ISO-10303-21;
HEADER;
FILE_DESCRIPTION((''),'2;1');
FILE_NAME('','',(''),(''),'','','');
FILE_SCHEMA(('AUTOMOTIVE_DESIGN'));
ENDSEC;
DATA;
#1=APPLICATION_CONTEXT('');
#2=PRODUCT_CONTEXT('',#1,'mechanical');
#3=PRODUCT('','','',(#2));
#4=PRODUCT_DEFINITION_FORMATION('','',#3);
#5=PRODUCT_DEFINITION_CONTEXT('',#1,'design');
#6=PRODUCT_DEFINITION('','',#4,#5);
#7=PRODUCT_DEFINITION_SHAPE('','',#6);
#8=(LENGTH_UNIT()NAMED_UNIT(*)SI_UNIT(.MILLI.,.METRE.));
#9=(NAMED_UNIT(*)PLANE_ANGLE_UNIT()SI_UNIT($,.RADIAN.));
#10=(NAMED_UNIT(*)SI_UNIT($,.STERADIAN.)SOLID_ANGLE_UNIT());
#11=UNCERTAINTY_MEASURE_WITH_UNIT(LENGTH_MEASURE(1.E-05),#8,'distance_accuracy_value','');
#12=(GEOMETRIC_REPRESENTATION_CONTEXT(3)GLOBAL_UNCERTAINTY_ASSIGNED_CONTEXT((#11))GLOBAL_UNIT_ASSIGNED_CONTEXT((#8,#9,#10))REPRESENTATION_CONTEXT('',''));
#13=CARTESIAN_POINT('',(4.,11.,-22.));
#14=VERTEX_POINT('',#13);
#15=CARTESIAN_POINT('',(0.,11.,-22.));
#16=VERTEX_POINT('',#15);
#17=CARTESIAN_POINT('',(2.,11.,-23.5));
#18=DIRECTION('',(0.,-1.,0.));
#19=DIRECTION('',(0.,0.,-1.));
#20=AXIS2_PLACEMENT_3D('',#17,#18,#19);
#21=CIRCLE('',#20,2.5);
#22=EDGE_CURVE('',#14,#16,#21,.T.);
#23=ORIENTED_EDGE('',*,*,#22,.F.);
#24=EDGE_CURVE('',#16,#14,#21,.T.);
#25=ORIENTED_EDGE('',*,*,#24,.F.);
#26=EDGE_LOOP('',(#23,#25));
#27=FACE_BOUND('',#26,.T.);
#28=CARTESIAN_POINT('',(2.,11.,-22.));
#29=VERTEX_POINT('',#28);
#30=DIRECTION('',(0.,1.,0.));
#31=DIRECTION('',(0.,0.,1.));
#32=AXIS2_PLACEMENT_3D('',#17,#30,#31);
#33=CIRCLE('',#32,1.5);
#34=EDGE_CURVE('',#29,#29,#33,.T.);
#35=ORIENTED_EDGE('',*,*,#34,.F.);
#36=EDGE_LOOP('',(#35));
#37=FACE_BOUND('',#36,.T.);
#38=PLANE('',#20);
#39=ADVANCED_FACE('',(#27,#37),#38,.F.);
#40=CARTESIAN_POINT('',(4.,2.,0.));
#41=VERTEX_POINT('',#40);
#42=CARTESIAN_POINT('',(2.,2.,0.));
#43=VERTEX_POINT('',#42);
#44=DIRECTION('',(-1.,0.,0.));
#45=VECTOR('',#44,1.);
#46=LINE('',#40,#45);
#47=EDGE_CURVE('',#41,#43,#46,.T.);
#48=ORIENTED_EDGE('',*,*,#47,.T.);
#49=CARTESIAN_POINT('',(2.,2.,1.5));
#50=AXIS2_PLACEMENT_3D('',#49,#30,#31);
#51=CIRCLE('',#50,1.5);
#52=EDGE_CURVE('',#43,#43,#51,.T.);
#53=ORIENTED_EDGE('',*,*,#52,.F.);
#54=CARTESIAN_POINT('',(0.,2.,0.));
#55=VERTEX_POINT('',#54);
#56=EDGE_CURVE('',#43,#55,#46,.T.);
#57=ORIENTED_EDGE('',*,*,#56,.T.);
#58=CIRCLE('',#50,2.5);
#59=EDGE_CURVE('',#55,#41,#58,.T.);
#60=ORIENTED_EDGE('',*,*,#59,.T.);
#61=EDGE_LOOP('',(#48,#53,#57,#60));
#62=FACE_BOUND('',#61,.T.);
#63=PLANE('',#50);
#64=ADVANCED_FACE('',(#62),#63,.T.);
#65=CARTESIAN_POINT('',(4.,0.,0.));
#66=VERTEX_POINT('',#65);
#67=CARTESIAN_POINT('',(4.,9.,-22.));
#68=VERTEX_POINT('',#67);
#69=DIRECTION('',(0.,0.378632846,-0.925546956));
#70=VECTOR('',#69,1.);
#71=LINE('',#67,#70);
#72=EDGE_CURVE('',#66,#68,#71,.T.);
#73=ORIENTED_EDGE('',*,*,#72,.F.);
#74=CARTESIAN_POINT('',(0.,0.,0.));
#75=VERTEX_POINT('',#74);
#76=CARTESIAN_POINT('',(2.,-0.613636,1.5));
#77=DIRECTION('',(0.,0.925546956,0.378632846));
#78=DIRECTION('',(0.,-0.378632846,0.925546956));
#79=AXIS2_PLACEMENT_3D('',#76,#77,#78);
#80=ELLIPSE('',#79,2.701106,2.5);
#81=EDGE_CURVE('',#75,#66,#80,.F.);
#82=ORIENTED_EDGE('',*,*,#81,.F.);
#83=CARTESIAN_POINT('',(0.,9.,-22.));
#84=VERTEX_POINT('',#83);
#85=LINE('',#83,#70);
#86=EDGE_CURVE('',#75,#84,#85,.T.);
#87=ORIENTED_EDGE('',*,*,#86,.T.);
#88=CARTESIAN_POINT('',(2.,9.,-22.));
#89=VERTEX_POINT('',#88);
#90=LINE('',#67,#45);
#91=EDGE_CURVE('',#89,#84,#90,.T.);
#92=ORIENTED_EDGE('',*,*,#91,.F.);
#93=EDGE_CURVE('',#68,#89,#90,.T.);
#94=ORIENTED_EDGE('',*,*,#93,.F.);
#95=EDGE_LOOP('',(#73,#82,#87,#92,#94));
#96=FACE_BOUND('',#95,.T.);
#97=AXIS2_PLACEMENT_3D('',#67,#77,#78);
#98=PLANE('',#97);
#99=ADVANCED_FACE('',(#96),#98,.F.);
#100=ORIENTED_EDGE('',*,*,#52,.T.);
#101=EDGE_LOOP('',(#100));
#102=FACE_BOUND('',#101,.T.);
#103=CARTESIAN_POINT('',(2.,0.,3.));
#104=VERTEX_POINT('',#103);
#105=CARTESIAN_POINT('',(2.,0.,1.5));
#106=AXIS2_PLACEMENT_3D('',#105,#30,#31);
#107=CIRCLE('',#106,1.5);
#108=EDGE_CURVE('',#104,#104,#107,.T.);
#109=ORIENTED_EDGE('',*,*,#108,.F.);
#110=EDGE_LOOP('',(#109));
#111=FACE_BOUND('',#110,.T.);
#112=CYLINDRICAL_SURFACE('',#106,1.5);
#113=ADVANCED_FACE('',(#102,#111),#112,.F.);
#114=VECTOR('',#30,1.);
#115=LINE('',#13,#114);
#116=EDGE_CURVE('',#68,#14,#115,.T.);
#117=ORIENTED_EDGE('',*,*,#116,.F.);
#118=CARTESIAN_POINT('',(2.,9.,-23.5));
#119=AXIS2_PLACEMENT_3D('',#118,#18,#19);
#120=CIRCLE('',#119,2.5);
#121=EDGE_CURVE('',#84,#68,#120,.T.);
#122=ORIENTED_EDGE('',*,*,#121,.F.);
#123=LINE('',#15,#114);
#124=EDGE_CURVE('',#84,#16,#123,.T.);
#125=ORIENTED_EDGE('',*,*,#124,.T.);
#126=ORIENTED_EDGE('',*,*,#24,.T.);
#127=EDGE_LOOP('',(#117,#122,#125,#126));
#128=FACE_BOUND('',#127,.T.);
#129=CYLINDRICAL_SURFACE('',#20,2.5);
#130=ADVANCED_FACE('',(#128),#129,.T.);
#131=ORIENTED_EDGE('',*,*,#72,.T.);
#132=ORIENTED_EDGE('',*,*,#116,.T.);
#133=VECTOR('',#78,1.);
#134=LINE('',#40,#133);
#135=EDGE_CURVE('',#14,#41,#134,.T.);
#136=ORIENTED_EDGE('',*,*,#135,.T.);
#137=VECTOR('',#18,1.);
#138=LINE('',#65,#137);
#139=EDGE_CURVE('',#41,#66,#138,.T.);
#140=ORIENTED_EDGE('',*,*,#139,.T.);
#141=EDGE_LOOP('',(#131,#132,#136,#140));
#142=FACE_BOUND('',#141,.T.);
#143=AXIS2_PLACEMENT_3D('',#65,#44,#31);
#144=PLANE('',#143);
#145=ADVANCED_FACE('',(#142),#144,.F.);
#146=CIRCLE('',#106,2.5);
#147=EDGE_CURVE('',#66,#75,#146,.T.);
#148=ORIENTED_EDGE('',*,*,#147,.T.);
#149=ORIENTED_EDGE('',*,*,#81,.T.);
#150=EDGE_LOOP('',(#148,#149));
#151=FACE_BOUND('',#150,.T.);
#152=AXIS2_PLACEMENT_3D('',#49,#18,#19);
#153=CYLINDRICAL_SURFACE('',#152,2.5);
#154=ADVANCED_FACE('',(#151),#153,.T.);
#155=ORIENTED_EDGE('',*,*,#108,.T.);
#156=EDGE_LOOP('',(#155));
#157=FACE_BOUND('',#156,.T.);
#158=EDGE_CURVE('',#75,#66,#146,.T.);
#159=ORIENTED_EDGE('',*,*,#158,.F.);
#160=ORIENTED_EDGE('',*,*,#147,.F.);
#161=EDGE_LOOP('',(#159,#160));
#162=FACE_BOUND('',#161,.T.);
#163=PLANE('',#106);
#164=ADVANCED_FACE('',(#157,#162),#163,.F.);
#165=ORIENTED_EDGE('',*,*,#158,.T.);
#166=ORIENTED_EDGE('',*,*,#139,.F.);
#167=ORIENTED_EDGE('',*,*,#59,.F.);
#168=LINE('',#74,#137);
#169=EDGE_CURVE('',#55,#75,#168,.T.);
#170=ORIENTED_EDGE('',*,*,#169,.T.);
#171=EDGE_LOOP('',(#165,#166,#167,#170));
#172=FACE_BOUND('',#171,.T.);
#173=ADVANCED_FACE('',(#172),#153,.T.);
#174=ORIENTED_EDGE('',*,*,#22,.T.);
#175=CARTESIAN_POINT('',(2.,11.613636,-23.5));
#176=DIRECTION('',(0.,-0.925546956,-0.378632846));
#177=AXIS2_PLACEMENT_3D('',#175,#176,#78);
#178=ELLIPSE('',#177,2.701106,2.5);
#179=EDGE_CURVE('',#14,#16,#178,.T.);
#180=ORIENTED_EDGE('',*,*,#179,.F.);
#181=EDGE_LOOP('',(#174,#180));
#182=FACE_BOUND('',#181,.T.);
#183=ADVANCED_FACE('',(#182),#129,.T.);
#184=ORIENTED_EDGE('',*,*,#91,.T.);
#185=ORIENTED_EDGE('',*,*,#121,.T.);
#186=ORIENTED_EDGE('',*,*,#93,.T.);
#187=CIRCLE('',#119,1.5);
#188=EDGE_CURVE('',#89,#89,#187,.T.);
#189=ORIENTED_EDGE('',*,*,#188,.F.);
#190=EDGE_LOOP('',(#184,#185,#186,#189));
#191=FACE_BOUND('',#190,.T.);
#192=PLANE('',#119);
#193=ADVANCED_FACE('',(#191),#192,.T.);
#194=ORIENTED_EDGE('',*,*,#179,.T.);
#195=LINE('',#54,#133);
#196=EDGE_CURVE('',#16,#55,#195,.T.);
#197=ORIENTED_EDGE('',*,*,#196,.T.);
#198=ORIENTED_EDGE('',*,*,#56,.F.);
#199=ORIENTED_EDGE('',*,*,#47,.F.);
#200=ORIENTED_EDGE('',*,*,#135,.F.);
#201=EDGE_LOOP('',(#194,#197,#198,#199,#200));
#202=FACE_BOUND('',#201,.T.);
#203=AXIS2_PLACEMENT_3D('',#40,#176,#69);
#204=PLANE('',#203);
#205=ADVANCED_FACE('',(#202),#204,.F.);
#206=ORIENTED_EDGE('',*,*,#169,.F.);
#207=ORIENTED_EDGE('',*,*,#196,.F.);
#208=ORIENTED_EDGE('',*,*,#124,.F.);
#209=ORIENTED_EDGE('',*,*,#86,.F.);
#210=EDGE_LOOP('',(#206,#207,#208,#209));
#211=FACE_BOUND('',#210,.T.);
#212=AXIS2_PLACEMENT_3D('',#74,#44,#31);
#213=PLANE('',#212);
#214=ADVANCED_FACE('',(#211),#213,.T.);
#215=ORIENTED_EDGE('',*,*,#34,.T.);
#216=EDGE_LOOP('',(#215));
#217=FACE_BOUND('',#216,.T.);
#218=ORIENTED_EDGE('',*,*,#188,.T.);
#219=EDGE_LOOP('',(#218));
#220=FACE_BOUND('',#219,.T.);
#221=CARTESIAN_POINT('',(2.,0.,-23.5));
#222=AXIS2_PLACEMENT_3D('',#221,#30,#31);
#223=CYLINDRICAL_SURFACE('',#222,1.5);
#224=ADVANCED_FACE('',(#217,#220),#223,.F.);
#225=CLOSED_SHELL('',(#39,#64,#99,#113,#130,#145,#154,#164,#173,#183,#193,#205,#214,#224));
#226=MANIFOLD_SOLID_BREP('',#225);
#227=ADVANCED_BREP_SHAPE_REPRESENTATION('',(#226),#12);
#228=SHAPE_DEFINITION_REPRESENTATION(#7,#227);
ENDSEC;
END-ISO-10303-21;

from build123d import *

# Parameters (mm, degrees)
BOSS_EXTRUDE1_DEPTH = 4
SKETCH2_R           = 2.5
BOSS_EXTRUDE2_DEPTH = 2
SKETCH3_R           = 2.5
BOSS_EXTRUDE3_DEPTH = 2
SKETCH4_R           = 1.5
CUT_EXTRUDE1_DEPTH  = 28.879203719
SKETCH5_R           = 1.5
CUT_EXTRUDE2_DEPTH  = 29.587584718


with BuildPart() as part:
    # Sketch1 → Boss-Extrude1 (new body)
    with BuildSketch(Plane(origin=(0, 0, 0), x_dir=(0, 0, -1), z_dir=(1, 0, 0))):
        Polygon((0, 0), (0, 2), (22, 11), (22, 9), align=None)
    extrude(amount=BOSS_EXTRUDE1_DEPTH)

    # Sketch2 → Boss-Extrude2 (add)
    with BuildSketch(Plane(origin=(0, 0, 0), x_dir=(1, 0, 0), z_dir=(0, 1, 0))):
        with Locations((2, -1.5)):
            Circle(SKETCH2_R)
    extrude(amount=BOSS_EXTRUDE2_DEPTH)

    # Sketch3 → Boss-Extrude3 (add)
    with BuildSketch(Plane(origin=(0, 9, 0), x_dir=(-1, 0, 0), z_dir=(0, -1, 0))):
        with Locations((-2, 23.5)):
            Circle(SKETCH3_R)
    extrude(amount=-BOSS_EXTRUDE3_DEPTH)

    # Sketch4 → Cut-Extrude1 (cut, through all)
    with BuildSketch(Plane(origin=(0, 2, 0), x_dir=(1, 0, 0), z_dir=(0, 1, 0))):
        with Locations(Location((2, -1.5, 0), (0, 0, 270))):
            Circle(SKETCH4_R)
    extrude(amount=-CUT_EXTRUDE1_DEPTH, mode=Mode.SUBTRACT)

    # Sketch5 → Cut-Extrude2 (cut, through all)
    with BuildSketch(Plane(origin=(0, 11, 0), x_dir=(1, 0, 0), z_dir=(0, 1, 0))):
        with Locations(Location((2, 23.5, 0), (0, 0, 270))):
            Circle(SKETCH5_R)
    extrude(amount=-CUT_EXTRUDE2_DEPTH, mode=Mode.SUBTRACT)


solid = part.part
